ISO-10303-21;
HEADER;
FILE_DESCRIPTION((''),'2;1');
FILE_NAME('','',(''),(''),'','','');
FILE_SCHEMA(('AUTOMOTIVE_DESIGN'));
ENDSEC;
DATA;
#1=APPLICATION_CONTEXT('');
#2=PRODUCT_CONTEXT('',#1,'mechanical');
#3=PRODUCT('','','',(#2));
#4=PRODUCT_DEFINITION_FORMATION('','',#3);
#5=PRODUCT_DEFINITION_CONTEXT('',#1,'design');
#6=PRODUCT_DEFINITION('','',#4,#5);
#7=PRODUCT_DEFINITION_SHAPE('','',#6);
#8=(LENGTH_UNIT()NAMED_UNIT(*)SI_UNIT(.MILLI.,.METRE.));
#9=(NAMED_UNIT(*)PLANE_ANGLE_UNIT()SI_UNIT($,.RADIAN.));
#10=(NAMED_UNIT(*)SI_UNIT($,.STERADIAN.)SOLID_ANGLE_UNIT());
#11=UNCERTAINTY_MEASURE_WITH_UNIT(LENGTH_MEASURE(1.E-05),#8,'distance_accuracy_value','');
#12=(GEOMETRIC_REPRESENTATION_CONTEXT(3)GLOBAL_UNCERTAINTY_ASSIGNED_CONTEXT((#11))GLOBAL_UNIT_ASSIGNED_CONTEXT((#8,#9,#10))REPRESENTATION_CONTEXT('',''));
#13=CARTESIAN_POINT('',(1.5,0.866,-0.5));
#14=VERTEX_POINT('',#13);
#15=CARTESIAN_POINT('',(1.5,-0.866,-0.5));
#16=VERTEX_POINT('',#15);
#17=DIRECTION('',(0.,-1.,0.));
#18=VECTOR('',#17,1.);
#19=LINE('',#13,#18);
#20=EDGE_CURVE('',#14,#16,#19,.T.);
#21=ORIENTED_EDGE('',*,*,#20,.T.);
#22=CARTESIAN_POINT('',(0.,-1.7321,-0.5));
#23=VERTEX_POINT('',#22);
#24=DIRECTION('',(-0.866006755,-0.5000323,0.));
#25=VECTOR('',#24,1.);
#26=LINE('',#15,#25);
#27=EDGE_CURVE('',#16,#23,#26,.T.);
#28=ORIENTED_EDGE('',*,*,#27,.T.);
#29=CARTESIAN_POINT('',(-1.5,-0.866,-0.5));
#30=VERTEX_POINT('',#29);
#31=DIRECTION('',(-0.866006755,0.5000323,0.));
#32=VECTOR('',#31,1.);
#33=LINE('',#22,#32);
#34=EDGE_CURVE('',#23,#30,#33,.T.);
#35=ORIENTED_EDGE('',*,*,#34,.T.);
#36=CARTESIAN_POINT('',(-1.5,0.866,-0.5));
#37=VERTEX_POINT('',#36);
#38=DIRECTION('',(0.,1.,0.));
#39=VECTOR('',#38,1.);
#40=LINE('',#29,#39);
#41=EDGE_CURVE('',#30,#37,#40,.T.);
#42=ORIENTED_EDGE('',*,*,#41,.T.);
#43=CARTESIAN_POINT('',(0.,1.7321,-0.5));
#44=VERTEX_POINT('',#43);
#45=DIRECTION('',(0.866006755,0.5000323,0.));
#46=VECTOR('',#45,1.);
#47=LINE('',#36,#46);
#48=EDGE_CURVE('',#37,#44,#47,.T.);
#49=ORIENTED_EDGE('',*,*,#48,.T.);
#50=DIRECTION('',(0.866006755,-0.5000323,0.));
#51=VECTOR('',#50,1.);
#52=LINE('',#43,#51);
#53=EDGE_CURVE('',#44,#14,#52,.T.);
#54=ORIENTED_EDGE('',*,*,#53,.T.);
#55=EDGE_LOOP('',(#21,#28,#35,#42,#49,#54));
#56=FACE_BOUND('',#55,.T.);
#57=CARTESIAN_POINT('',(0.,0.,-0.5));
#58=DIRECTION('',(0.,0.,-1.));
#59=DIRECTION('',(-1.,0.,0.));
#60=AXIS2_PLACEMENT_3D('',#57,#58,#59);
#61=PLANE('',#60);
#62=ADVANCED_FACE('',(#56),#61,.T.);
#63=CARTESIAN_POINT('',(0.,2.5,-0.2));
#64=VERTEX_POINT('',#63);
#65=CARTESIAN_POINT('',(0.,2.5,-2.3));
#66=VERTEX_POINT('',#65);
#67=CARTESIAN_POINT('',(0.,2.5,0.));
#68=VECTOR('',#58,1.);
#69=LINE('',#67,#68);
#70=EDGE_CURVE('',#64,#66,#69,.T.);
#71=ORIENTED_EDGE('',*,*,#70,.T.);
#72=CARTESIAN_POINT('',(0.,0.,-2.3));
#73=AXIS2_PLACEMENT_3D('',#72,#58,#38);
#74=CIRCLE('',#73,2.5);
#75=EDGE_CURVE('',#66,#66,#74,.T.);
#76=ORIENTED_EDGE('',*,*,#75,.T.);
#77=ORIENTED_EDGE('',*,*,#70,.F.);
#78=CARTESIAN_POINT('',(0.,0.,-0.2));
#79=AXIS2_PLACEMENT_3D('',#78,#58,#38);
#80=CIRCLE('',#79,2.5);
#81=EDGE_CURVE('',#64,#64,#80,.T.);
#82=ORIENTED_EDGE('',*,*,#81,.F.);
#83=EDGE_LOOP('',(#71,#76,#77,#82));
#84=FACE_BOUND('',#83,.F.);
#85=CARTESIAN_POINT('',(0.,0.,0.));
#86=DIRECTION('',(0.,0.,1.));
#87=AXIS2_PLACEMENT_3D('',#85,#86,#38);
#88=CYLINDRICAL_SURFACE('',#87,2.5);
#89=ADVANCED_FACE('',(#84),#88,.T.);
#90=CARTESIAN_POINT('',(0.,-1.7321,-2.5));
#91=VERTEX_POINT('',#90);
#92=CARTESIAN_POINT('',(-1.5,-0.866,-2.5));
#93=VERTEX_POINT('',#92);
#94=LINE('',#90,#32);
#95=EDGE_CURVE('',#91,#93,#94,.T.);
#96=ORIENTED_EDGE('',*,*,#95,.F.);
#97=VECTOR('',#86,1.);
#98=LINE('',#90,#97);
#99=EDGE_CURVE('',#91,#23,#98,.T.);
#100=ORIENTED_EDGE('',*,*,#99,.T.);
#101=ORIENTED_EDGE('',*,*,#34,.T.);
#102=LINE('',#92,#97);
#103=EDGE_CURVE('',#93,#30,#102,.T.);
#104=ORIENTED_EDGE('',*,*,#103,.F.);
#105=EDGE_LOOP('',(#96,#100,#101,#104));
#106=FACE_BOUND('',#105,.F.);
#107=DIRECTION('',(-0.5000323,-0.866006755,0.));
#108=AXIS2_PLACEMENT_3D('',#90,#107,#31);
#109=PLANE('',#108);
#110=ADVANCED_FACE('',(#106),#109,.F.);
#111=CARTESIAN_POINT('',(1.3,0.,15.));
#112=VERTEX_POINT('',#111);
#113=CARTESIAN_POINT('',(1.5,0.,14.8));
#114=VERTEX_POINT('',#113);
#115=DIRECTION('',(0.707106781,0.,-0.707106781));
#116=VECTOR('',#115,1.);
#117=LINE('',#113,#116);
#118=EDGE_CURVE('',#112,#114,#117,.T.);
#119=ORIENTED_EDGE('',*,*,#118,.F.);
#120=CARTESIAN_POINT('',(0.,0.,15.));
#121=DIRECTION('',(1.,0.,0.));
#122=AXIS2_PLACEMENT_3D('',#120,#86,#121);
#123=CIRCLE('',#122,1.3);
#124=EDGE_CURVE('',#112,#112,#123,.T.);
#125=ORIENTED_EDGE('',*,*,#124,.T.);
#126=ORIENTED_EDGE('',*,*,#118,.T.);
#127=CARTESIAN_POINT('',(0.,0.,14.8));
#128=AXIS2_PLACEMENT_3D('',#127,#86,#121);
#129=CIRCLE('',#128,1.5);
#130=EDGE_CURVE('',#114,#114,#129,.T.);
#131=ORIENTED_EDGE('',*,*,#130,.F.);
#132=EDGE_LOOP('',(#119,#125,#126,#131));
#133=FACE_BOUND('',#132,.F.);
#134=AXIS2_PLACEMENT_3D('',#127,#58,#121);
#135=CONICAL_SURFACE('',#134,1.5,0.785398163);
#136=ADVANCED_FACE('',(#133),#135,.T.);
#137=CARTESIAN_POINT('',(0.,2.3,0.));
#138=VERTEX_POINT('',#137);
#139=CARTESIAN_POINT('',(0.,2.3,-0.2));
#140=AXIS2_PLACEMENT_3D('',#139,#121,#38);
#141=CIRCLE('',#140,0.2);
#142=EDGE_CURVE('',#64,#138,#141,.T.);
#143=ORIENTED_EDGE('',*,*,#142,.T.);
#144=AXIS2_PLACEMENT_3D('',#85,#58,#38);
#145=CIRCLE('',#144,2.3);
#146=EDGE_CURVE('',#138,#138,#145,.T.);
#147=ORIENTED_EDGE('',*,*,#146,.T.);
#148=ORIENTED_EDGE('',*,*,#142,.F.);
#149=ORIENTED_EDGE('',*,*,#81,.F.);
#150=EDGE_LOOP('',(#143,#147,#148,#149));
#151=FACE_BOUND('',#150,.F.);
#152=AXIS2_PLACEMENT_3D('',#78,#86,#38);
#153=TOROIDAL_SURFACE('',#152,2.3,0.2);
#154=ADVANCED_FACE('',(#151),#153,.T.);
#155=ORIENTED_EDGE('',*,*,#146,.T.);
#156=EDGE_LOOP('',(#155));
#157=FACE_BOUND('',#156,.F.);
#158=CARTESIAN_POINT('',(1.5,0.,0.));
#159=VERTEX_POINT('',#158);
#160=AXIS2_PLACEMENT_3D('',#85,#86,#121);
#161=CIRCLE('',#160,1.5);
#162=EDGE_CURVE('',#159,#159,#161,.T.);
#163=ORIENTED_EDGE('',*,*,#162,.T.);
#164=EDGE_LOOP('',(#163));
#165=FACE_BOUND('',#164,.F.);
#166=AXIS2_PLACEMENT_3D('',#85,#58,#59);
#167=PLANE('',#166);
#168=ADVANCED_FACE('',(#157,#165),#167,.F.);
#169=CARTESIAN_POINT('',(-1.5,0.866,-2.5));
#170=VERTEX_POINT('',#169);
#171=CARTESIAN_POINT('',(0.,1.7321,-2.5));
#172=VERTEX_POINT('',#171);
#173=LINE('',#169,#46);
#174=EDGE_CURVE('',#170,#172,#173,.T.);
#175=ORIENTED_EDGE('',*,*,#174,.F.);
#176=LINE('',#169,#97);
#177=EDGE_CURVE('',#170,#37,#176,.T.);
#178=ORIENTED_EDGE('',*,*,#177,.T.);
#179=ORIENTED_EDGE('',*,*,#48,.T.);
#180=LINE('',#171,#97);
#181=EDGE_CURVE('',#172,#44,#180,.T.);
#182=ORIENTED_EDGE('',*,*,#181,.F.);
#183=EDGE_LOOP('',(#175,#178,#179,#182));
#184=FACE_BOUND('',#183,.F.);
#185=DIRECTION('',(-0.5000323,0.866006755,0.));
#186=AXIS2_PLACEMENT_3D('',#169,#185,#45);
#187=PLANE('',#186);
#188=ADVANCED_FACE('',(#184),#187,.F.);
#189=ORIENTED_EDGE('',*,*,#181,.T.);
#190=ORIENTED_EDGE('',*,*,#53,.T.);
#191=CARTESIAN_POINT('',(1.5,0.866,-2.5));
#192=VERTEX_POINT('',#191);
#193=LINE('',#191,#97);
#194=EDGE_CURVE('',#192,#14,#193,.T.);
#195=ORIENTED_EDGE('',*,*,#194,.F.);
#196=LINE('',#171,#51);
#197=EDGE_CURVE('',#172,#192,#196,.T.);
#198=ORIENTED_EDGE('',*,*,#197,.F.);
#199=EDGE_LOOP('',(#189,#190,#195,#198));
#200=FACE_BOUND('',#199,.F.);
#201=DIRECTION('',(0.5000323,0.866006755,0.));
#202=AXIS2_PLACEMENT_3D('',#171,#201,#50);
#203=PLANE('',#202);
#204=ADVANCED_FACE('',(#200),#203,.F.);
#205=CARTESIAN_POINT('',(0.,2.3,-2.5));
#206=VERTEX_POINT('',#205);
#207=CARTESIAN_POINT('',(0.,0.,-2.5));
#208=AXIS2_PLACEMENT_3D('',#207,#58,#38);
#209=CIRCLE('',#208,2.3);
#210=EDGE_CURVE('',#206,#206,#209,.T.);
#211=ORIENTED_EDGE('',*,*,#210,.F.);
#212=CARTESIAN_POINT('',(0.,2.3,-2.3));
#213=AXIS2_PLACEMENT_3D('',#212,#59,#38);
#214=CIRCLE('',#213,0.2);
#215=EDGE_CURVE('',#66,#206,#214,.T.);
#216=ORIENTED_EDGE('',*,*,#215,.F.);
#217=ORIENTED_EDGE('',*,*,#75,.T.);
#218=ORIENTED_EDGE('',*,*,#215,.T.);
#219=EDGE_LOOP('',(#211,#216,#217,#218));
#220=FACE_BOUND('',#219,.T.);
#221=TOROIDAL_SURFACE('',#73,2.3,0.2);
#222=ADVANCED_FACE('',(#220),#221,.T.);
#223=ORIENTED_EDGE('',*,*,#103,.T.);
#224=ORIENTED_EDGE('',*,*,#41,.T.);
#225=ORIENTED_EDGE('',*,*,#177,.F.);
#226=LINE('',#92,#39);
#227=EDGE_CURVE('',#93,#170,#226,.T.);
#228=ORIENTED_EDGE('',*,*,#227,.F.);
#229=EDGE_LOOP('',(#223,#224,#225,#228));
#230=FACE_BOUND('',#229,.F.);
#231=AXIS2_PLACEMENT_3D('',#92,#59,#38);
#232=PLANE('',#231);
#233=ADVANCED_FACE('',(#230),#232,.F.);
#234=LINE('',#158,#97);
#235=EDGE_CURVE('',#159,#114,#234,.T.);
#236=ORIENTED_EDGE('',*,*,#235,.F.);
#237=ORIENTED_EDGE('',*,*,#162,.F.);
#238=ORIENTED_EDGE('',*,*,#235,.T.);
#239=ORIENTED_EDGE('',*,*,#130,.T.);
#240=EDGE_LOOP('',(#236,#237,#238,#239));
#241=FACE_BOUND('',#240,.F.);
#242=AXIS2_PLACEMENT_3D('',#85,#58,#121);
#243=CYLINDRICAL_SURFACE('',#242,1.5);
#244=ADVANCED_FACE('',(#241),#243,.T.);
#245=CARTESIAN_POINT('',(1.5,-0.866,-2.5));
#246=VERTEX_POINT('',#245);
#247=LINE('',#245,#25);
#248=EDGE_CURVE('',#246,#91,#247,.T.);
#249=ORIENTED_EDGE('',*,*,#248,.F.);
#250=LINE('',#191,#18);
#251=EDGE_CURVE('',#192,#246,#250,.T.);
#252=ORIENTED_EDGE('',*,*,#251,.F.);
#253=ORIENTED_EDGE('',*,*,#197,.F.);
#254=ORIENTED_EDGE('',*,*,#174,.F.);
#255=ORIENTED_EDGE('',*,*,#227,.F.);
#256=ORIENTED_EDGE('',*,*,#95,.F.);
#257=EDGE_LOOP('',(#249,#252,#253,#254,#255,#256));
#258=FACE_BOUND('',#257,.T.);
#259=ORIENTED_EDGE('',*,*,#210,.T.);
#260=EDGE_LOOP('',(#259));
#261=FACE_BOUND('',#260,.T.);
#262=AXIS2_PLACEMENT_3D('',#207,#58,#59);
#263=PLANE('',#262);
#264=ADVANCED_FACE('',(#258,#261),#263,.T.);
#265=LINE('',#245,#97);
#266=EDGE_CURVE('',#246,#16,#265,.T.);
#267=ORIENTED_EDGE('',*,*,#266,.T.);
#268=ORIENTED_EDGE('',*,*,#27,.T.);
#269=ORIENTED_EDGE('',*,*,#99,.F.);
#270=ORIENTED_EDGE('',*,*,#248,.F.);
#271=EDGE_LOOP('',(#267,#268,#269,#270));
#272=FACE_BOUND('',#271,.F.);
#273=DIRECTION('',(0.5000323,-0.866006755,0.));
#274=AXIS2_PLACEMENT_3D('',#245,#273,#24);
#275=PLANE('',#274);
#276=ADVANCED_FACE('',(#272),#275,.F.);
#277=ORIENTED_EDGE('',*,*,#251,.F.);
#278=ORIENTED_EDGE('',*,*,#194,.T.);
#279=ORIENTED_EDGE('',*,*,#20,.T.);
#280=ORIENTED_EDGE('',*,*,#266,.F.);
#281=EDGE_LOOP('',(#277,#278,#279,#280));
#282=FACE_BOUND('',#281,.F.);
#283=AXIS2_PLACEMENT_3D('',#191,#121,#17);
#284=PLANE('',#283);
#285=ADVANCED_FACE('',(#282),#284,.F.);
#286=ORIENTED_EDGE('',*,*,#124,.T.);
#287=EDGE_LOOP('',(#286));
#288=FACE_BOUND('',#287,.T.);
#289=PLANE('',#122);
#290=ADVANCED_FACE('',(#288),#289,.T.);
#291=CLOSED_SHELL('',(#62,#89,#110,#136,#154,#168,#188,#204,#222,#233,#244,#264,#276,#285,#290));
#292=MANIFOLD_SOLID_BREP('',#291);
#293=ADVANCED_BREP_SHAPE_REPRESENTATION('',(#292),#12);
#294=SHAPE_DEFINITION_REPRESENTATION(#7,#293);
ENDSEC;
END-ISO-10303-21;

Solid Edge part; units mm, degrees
sketch "Sketch1" plane through (0, 0, 0) normal (0, 0, 1) x (1, 0, 0)
  circle A0 centre (0, 0) radius 1.5
extrude "Protrusion1" add sketch "Sketch1" along normal blind 15
sketch "Sketch2" plane through (0, 0, 0) normal (0, 0, -1) x (0, 1, 0)
  circle A0 centre (0, 0) radius 2.5
extrude "ExtrudedProtrusion_2" add sketch "Sketch2" along normal blind 2.5
fillet "Round_1" radius 0.2 2 edges at (0, -2.5, -2.5) (0, -2.5, 0)
sketch "Sketch3" plane through (0, 0, -2.5) normal (0, 0, -1) x (0, 1, 0)
  line L0 (-0.866, 1.5) -> (-1.7321, 0)
  line L1 (-1.7321, 0) -> (-0.866, -1.5)
  line L2 (-0.866, -1.5) -> (0.866, -1.5)
  line L3 (0.866, -1.5) -> (1.7321, 0)
  line L4 (1.7321, 0) -> (0.866, 1.5)
  line L5 (0.866, 1.5) -> (-0.866, 1.5)
extrude "ExtrudedCutout_1" cut sketch "Sketch3" against normal blind 2
chamfer "Chamfer_1" distance 0.2 angle 45 1 edges at (-1.5, 0, 15) measured on face at (-1.03, -0.97, 15)
cosmetic_thread "Thread1" size "M3"
